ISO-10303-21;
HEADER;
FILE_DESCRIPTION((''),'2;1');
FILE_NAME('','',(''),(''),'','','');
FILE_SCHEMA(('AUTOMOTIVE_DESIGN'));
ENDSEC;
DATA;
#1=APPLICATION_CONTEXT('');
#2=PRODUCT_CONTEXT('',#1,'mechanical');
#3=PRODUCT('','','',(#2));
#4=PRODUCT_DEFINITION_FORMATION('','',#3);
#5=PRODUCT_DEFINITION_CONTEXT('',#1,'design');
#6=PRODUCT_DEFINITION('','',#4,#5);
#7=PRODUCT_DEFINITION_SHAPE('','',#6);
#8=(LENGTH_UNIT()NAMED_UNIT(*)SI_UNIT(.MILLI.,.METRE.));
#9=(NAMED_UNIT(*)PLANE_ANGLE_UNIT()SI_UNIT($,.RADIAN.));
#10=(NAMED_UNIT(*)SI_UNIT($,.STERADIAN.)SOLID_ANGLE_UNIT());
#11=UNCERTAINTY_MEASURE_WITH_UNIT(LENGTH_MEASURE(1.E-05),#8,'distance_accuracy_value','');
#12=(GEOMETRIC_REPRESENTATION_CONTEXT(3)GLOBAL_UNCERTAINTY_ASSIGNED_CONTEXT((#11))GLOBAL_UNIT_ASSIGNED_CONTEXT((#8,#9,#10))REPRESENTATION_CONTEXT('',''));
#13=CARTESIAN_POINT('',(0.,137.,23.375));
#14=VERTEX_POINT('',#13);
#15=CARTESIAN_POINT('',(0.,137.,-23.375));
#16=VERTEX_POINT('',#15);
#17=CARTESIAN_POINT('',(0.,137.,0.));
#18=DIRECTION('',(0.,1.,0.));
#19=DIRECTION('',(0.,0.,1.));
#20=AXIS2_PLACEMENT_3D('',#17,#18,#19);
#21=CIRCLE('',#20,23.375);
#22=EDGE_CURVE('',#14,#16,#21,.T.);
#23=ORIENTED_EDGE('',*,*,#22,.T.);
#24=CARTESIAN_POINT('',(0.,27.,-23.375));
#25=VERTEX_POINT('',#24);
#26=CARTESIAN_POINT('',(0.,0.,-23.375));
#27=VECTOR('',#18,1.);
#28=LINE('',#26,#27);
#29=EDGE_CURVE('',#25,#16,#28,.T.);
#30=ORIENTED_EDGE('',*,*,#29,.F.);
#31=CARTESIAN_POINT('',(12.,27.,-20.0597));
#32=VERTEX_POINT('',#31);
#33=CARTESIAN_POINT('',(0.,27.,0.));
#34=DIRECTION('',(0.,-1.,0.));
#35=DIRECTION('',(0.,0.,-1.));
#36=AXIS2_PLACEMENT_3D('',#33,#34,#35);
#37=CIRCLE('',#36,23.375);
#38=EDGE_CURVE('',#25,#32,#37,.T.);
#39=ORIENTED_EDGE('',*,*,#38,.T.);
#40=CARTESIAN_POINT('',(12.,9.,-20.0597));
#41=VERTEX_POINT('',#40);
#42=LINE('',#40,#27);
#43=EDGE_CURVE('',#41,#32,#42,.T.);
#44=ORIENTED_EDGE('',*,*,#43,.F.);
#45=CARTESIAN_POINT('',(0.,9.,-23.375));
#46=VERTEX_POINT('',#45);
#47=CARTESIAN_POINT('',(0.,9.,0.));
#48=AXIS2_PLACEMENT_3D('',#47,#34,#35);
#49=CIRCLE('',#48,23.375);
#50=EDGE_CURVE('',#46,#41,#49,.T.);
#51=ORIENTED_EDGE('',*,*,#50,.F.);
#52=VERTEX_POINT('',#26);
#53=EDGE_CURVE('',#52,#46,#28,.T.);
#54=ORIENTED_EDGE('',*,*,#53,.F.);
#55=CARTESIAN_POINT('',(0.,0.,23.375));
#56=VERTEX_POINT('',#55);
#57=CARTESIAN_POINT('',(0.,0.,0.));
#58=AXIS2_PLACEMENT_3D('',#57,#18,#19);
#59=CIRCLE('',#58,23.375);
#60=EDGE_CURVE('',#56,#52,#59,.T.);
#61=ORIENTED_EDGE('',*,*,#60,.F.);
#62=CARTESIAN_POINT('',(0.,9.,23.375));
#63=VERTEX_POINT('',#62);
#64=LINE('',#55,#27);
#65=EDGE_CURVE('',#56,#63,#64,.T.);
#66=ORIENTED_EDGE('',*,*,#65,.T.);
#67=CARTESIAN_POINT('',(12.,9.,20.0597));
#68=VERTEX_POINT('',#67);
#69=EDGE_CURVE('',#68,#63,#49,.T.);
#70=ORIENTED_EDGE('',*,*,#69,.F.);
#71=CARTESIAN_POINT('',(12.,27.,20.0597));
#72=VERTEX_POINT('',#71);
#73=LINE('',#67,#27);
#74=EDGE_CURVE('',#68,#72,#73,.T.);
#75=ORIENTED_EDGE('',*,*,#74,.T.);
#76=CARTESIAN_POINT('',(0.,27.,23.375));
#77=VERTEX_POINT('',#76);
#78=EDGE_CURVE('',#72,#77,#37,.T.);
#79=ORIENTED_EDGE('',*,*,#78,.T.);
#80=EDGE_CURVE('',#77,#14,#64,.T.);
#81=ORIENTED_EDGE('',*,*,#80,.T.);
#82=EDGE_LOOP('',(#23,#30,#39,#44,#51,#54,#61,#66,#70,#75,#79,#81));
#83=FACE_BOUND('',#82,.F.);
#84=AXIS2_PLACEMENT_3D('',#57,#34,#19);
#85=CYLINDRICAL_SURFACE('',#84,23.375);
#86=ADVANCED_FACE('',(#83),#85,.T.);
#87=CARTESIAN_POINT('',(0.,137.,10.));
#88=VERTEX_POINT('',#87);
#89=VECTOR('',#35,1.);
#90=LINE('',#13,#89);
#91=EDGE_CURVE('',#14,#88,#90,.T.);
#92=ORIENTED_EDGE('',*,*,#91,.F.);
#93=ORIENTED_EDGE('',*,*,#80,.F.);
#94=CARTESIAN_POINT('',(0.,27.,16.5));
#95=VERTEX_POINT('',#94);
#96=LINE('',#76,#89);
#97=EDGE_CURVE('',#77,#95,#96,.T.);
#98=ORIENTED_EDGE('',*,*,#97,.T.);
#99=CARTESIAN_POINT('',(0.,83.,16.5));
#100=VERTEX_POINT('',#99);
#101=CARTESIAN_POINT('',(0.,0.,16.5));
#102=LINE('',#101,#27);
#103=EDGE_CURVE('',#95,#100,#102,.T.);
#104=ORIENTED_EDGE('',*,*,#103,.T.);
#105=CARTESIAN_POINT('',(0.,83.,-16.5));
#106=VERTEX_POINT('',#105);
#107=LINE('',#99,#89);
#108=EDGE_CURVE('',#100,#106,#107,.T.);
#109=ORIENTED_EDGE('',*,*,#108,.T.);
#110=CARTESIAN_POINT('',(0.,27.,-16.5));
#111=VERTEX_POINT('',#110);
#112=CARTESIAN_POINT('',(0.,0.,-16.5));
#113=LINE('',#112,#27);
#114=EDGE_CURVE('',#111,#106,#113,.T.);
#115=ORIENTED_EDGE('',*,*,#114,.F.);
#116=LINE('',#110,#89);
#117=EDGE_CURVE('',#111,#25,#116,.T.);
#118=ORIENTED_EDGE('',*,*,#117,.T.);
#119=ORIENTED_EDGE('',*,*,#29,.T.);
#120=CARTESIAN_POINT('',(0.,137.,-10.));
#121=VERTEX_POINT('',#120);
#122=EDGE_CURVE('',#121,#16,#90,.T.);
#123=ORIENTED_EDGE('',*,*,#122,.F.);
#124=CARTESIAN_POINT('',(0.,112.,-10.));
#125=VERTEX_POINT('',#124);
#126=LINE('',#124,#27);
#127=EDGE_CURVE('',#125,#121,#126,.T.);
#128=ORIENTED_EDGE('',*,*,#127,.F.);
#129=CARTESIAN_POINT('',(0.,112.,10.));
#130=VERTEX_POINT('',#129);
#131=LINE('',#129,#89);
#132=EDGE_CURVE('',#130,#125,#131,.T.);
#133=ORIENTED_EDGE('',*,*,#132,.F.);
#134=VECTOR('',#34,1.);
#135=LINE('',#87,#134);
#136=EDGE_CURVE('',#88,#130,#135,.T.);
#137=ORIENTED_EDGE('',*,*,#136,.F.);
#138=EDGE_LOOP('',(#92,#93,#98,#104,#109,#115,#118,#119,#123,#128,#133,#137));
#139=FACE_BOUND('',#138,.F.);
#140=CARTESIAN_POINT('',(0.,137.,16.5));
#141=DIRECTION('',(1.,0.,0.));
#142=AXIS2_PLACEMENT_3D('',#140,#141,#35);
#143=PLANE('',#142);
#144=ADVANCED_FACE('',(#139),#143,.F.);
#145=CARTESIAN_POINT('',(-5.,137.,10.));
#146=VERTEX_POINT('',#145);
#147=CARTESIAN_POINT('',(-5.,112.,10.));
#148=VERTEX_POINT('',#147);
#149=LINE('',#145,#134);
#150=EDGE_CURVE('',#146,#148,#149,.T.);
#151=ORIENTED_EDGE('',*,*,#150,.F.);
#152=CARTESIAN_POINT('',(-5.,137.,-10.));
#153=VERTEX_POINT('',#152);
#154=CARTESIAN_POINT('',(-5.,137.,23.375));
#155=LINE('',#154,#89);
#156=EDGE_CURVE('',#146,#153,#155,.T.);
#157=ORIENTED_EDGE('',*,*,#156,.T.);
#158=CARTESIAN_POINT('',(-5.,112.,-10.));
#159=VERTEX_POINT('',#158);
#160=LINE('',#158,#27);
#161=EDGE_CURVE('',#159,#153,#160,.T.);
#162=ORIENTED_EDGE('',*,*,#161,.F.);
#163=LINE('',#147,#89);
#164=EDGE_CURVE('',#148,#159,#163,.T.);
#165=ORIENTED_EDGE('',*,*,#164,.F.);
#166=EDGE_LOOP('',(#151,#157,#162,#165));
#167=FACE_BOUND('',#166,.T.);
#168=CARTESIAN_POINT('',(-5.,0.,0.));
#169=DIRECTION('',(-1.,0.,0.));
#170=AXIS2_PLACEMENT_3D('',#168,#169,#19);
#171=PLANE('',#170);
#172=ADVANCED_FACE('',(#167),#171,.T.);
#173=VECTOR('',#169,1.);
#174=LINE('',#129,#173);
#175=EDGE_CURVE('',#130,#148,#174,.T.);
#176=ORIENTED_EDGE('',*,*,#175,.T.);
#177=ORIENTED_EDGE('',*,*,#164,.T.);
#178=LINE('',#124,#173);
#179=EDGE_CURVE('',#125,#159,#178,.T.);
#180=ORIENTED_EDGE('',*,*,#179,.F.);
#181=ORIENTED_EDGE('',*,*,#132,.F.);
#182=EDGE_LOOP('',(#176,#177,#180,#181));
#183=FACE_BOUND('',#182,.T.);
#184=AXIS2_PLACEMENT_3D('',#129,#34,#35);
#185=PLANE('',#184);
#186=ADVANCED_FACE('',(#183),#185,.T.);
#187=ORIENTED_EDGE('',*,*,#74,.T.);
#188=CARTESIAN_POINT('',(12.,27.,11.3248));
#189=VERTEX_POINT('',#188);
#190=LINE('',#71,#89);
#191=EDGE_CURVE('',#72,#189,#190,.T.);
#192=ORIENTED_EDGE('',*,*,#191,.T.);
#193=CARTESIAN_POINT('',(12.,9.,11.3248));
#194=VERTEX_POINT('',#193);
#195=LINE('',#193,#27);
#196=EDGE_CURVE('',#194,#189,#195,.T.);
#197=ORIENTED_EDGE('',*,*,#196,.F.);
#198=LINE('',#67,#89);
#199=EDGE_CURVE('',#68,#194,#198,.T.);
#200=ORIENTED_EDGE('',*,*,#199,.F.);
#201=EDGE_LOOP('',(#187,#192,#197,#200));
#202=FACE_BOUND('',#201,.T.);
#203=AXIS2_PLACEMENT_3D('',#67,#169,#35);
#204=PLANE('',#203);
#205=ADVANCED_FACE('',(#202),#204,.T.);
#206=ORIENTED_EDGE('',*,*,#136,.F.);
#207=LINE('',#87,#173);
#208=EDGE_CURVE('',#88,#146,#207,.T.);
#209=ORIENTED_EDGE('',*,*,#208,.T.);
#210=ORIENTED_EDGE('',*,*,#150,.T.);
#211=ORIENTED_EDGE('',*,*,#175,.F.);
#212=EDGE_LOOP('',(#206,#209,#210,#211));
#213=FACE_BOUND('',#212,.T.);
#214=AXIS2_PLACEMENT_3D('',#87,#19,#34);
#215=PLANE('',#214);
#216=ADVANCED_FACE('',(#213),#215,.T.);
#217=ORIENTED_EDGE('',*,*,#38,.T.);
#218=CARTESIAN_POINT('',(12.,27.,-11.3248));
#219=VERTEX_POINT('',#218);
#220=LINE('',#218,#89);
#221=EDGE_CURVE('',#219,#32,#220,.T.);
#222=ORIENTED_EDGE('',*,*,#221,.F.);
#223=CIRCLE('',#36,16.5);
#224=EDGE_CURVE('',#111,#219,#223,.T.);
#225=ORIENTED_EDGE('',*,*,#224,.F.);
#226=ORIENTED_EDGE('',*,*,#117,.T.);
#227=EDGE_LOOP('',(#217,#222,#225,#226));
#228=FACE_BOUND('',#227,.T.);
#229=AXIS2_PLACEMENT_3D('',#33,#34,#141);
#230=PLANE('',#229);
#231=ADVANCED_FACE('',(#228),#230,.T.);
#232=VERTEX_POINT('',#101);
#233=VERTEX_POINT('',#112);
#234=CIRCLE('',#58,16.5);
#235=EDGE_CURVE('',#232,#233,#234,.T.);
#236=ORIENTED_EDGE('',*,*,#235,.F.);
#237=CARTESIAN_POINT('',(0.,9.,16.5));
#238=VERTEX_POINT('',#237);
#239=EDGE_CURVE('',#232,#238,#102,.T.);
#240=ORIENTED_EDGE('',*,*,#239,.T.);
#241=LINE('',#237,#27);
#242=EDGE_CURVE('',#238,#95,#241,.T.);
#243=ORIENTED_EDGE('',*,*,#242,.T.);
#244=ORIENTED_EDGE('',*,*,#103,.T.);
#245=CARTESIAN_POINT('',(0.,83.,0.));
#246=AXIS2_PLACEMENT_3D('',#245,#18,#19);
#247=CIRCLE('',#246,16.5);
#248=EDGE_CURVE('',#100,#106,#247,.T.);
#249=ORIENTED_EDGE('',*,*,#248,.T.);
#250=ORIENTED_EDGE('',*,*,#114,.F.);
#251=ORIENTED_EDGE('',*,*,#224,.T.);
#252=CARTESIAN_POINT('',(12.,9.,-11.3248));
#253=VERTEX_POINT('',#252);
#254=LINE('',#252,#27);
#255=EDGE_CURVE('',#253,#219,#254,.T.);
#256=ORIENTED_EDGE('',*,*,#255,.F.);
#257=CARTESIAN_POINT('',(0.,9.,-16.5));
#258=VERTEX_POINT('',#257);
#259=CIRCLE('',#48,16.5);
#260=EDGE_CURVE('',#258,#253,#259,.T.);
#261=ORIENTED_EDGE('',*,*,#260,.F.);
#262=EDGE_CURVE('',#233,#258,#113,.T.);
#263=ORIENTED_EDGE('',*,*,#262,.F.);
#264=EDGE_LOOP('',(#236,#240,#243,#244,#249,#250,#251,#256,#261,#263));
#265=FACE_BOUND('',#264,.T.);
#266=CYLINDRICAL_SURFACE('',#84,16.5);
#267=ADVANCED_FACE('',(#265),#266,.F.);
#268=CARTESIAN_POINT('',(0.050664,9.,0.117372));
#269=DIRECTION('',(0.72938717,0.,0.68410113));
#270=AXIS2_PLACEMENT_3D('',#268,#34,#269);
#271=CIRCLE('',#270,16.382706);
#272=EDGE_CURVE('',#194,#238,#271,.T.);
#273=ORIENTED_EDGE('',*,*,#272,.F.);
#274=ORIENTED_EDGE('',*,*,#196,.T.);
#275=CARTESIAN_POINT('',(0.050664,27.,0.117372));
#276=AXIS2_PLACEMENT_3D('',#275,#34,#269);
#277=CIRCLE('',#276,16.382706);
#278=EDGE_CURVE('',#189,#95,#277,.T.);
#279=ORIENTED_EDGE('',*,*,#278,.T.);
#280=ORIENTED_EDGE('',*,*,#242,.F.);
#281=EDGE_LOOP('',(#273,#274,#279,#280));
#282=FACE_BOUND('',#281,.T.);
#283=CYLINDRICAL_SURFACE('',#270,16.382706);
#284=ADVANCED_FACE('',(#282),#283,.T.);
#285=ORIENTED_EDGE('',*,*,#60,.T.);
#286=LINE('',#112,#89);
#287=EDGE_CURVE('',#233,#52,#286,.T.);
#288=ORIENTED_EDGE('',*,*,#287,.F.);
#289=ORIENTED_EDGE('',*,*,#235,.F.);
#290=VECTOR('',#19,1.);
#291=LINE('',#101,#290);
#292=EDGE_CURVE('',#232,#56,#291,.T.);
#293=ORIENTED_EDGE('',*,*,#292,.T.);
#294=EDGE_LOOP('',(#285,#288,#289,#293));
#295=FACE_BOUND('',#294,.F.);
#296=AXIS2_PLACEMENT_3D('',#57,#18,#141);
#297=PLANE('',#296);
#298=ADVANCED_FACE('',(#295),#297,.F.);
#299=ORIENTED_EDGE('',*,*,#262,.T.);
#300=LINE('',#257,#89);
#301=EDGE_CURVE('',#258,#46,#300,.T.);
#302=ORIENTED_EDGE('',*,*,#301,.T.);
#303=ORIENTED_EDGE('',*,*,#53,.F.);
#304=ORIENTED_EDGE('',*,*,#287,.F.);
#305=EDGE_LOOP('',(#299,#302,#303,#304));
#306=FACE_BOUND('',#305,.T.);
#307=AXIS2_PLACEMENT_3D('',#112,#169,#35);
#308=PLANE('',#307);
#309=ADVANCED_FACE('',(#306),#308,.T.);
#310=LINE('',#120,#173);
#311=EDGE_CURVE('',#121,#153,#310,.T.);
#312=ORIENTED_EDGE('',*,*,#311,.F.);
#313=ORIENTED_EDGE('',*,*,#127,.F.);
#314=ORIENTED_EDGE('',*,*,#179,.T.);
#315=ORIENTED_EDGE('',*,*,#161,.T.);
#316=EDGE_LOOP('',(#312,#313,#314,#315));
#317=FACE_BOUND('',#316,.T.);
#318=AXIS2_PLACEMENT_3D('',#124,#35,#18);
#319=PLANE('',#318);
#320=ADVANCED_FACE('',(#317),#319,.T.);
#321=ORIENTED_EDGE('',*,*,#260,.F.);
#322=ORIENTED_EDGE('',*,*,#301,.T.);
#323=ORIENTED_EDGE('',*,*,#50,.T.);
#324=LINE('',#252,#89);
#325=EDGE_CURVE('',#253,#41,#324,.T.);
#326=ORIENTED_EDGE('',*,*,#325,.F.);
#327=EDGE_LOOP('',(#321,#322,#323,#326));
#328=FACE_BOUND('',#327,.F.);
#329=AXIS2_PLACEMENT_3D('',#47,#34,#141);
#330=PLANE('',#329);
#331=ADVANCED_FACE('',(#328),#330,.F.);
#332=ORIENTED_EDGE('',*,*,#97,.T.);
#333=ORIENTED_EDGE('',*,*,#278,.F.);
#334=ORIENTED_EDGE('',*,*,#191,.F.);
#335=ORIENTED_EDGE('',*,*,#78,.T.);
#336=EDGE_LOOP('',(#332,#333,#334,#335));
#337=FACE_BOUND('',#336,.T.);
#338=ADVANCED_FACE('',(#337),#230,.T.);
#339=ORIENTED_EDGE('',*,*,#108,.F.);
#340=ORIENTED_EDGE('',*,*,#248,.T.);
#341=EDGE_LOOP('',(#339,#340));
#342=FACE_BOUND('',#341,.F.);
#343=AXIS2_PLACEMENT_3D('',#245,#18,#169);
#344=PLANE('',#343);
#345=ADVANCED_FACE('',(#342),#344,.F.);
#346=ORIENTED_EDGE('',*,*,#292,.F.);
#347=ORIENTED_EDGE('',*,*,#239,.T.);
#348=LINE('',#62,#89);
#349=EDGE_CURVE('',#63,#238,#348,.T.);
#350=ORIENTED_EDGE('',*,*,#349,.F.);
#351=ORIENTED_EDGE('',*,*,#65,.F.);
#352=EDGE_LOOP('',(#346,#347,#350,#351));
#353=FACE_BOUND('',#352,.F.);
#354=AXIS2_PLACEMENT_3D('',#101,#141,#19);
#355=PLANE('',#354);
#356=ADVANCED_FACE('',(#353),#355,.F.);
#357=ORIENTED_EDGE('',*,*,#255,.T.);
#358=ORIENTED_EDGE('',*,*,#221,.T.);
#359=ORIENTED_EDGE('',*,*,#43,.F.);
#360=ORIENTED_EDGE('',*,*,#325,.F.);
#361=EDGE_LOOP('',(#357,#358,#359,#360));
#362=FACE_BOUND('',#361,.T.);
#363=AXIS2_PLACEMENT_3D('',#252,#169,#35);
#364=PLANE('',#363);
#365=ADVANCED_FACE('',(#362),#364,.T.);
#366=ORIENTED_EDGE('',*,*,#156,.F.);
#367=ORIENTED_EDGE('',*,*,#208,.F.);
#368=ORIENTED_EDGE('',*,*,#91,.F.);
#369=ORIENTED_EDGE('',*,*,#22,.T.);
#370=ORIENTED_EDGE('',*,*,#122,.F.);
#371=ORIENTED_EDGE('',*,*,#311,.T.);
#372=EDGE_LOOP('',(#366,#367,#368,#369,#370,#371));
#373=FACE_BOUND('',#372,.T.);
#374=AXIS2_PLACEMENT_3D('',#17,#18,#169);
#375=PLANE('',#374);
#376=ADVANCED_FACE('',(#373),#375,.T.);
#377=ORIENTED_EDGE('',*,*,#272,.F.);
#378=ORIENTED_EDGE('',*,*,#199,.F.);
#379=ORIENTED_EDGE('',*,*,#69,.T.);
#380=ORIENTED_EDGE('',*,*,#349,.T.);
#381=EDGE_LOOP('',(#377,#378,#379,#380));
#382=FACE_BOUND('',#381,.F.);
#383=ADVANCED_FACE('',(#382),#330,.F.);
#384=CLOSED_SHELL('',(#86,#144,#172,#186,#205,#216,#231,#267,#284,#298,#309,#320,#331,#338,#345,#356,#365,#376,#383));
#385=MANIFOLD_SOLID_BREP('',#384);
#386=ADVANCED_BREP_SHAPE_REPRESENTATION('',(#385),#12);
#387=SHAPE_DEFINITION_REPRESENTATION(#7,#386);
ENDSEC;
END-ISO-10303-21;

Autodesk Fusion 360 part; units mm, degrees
sketch "Sketch1" plane through (0, 0, 0) normal (0, 1, 0) x (1, 0, 0)
  arc A0 (0, -23.375) -> (0, 23.375) centre (0, 0) ccw
  arc A1 (0, -23.375) -> (0, 23.375) centre (0, 0) ccw
  arc A2 (0, -16.5) -> (0, 16.5) centre (0, 0) ccw
  line L0 (0, 16.5) -> (0, 23.375)
  line L1 (0, -16.5) -> (0, -23.375)
extrude "Extrude1" add sketch "Sketch1" along normal blind 137
sketch "Sketch5" plane through (0, 0, 0) normal (0, -1, 0) x (1, 0, 0)
  arc A0 (0, -16.5) -> (0, 16.5) centre (0, 0) ccw
  line L0 (0, -16.5) -> (0, -23.375)
  arc A1 (0, -23.375) -> (0, 23.375) centre (0, 0) ccw
  line L1 (0, 23.375) -> (0, 16.5)
  line L2 (0, 23.375) -> (0, 16.5)
  line L3 (0, -16.5) -> (0, -23.375)
  arc A2 (0, -16.5) -> (12, -11.3248) centre (0, 0) ccw
  arc A3 (12, 11.3248) -> (0, 16.5) centre (0.0506, 0.1174) ccw
  arc A4 (12, 20.0597) -> (0, 23.375) centre (0, 0) ccw
  arc A5 (0, -23.375) -> (12, -20.0597) centre (0, 0) ccw
  line L4 (12, -11.3248) -> (12, -20.0597)
  line L5 (12, 20.0597) -> (12, 11.3248)
  dimension "d11" = 12
extrude "Extrude2" cut sketch "Sketch5" against normal blind 18 from surface at -9 contours A0 L0 A1 L3 A2 A5 L4 | A1 L1 L2 A3 A4 L5
sketch "Sketch6" plane through (0, 137, 0) normal (0, 1, 0) x (-1, 0, 0)
  arc A0 (0, 16.5) -> (0, -16.5) centre (0, 0) ccw
  line L0 (0, 16.5) -> (0, 23.375)
  arc A1 (0, 23.375) -> (0, -23.375) centre (0, 0) ccw
  line L1 (0, -23.375) -> (0, -16.5)
  arc A2 (0, 16.5) -> (0, -16.5) centre (0, 0) ccw
  line L2 (0, 16.5) -> (0, -16.5)
extrude "Extrude3" add sketch "Sketch6" against normal up to surface (54 mm away) contours A0 A2 L2
sketch "Sketch7" plane through (0, 0, 0) normal (-1, 0, 0) x (0, 0, 1)
  line L0 (-23.375, 27) -> (-16.5, 27)
  line L1 (-16.5, 27) -> (-16.5, 83)
  line L2 (-16.5, 83) -> (16.5, 83)
  line L3 (16.5, 83) -> (16.5, 27)
  line L4 (16.5, 27) -> (23.375, 27)
  line L5 (23.375, 27) -> (23.375, 137)
  line L6 (23.375, 137) -> (-23.375, 137)
  line L7 (-23.375, 137) -> (-23.375, 27)
  line L8 (-10, 137) -> (10, 137)
  line L9 (10, 137) -> (10, 112)
  line L10 (10, 112) -> (-10, 112)
  line L11 (-10, 112) -> (-10, 137)
  dimension "d18" = 25
  dimension "d19" = 20
  dimension "d20" = 13.375
extrude "Extrude4" add sketch "Sketch7" along normal blind 5 contours L6 L8 L9 L10 L11
